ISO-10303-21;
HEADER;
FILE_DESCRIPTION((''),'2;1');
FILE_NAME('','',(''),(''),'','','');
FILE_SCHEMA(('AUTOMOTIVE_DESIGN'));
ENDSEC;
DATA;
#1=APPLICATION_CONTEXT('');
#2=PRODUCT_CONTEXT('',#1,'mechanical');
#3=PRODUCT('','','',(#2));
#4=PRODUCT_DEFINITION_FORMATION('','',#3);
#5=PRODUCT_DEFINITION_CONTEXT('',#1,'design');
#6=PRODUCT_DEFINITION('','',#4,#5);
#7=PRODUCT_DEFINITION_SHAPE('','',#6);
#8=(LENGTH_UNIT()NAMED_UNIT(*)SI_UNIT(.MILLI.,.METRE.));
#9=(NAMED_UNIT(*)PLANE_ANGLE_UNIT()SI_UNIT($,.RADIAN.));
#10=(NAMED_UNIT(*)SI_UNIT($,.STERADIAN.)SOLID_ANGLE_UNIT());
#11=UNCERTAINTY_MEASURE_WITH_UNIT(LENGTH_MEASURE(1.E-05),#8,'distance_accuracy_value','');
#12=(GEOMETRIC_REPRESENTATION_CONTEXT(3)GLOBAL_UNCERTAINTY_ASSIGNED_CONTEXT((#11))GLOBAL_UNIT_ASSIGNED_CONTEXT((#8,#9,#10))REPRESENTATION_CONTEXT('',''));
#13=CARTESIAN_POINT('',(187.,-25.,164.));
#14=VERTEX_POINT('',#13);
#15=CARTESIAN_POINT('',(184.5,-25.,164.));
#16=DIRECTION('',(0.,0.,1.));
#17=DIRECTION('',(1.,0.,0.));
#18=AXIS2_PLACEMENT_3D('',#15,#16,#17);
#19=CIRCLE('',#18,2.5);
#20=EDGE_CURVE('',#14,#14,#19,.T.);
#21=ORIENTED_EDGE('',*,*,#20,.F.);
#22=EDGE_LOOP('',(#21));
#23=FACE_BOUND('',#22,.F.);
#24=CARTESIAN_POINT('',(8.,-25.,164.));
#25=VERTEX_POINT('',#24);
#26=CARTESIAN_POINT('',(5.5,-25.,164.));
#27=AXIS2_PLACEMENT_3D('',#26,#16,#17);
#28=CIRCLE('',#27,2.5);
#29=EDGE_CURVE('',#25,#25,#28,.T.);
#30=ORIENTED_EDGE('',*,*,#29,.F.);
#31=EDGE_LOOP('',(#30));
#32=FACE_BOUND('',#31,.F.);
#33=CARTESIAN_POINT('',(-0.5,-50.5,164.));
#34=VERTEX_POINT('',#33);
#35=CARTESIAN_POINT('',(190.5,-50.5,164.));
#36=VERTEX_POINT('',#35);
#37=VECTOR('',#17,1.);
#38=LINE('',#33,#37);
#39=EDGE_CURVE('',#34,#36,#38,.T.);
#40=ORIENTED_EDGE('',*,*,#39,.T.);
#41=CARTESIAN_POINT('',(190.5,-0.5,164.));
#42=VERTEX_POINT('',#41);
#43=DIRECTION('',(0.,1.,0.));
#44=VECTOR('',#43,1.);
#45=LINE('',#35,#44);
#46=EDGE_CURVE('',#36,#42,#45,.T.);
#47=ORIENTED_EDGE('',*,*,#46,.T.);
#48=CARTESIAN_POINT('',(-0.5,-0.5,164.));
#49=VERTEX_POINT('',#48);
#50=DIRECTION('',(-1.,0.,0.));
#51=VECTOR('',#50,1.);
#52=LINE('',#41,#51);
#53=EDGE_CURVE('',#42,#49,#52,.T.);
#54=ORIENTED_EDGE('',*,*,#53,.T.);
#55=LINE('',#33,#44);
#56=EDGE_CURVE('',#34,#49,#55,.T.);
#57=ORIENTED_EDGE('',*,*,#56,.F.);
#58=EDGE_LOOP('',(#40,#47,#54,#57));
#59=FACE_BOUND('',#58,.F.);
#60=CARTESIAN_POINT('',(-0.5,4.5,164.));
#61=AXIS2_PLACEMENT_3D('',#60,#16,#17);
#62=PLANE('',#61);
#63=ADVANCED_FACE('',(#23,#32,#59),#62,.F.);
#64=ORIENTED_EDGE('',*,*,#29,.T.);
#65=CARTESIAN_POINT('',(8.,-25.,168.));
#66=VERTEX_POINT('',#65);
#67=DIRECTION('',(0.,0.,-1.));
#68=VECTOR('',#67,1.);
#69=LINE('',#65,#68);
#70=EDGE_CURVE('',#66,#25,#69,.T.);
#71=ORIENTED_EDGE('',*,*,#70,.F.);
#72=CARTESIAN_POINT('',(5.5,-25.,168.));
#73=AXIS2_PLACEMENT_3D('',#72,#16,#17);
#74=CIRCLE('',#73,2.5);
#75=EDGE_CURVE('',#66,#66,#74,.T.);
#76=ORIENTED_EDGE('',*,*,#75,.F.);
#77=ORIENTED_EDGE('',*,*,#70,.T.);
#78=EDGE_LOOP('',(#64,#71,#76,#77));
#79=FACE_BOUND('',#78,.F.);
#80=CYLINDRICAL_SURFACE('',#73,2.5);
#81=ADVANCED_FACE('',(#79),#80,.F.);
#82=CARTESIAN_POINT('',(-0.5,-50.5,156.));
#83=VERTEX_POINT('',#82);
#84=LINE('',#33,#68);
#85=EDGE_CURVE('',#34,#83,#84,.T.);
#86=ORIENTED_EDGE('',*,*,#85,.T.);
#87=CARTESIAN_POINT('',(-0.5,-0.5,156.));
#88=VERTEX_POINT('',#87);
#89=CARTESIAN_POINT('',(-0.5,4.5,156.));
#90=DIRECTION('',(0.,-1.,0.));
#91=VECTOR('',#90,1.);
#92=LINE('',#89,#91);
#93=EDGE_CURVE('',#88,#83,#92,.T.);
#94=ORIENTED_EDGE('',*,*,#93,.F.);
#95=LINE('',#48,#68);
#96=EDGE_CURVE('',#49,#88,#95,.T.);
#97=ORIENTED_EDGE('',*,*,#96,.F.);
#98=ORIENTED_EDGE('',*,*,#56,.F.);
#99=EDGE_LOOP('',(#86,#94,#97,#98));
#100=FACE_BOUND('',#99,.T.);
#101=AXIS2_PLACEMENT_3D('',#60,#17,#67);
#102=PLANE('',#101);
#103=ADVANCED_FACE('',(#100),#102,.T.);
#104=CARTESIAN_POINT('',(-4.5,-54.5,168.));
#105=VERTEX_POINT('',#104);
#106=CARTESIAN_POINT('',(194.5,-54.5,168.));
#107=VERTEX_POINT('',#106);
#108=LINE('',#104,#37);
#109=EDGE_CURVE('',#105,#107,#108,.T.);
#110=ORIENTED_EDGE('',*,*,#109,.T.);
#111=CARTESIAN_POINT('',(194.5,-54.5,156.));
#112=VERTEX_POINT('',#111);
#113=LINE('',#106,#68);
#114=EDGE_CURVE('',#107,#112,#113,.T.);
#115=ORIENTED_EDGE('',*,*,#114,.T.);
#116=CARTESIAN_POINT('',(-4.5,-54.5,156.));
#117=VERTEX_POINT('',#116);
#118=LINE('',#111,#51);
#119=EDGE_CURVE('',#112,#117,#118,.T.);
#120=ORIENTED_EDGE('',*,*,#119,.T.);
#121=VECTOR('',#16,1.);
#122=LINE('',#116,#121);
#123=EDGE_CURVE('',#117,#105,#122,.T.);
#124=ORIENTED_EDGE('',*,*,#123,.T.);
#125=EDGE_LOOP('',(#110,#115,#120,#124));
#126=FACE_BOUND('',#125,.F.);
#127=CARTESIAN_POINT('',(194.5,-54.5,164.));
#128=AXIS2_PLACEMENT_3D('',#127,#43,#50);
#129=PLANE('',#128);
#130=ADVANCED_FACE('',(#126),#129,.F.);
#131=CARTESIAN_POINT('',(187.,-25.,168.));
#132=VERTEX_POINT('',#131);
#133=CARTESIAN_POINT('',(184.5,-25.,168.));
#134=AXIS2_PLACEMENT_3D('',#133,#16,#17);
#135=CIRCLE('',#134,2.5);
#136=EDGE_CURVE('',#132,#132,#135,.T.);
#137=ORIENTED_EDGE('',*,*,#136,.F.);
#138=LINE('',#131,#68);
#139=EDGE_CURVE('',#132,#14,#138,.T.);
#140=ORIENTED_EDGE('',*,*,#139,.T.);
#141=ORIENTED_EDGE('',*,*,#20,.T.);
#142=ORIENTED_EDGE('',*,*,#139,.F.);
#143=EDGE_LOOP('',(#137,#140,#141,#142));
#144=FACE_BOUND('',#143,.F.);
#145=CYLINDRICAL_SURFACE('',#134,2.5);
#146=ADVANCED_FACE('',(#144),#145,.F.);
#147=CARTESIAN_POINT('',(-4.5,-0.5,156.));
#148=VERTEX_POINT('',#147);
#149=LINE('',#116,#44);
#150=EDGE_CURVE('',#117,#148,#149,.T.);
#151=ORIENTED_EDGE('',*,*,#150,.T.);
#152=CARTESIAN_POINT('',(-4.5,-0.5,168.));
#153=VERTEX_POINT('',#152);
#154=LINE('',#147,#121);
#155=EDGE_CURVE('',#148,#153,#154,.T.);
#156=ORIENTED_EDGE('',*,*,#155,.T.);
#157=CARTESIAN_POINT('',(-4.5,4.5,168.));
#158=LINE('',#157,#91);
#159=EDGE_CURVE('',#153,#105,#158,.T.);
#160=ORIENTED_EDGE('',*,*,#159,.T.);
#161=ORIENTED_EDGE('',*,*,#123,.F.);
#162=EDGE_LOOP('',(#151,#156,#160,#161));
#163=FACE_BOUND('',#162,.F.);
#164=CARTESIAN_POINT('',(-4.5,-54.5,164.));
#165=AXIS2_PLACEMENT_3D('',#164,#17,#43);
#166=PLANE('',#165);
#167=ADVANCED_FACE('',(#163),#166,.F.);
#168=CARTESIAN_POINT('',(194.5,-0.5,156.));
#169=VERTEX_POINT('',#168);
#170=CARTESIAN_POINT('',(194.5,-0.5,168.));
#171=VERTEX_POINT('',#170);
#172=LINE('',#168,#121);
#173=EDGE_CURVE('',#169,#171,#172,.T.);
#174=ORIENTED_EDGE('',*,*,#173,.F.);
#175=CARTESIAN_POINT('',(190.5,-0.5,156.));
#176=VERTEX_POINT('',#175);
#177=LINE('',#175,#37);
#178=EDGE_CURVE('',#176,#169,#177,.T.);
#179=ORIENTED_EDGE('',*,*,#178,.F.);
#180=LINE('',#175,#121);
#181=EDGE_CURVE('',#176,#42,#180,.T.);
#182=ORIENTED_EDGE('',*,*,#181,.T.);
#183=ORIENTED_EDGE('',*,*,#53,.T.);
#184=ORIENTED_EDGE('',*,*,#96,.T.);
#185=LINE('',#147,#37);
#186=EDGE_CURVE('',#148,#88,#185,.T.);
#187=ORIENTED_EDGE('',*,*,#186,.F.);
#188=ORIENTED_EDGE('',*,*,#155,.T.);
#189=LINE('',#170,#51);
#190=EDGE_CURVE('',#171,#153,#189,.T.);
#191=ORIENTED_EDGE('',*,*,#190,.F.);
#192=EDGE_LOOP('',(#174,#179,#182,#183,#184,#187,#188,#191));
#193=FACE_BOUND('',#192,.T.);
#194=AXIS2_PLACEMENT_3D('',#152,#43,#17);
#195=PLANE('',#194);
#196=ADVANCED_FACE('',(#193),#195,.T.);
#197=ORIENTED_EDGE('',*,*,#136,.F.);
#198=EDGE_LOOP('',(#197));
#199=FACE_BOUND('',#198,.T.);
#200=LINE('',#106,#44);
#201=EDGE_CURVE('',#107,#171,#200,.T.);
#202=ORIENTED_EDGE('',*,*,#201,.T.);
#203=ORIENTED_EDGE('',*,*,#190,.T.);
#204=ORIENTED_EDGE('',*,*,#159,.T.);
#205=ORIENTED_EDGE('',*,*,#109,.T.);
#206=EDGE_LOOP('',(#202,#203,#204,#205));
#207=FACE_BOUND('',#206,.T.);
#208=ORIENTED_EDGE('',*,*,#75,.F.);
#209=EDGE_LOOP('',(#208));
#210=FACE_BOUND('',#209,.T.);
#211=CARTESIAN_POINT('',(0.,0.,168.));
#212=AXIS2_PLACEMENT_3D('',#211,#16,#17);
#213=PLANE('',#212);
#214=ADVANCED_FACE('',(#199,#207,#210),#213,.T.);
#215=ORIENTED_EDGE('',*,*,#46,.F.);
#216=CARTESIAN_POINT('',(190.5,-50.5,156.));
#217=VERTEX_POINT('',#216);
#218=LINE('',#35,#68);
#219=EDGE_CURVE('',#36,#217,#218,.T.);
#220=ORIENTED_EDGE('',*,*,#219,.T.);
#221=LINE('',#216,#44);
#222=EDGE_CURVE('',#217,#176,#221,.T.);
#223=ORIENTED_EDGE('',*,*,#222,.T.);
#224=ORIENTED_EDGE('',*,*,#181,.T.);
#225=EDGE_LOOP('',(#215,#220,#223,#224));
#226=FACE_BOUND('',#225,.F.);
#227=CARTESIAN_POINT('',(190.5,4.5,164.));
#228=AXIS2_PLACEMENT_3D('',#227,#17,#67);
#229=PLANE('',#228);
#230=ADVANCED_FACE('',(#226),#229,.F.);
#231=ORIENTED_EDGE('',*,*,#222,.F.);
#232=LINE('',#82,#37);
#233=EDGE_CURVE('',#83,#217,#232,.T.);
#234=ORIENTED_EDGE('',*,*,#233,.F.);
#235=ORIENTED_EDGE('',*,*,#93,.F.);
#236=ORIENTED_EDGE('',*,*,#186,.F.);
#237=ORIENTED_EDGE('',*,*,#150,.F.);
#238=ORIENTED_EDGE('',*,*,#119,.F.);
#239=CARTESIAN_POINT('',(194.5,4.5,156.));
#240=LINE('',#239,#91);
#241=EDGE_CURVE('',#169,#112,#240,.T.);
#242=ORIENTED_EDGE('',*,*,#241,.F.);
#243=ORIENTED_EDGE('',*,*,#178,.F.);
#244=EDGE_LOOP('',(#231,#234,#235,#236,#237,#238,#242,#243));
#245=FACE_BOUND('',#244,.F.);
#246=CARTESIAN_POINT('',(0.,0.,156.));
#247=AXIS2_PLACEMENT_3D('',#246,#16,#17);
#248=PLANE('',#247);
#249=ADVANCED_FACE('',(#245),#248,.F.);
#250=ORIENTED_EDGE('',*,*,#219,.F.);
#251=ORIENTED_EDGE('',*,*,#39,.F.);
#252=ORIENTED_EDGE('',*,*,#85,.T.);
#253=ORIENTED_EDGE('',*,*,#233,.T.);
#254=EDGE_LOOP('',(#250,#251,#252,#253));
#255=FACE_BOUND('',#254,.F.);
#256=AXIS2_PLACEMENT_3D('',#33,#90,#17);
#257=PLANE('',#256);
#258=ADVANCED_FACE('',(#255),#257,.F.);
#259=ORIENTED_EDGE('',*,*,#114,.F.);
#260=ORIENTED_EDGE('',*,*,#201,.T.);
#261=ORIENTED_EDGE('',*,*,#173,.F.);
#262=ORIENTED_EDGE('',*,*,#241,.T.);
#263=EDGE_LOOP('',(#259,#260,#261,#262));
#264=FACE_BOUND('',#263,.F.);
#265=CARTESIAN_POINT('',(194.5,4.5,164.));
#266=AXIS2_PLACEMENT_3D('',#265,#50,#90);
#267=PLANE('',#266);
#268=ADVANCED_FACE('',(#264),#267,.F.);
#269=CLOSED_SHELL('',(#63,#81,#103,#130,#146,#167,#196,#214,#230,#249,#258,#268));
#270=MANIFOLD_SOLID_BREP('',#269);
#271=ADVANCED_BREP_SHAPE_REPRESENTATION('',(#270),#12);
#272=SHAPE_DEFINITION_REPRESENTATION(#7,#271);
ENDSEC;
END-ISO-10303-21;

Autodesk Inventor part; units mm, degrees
ref_plane "YZ Plane" through (0, 0, 0) normal (1, 0, 0) x (0, 1, 0)
ref_plane "XZ Plane" through (0, 0, 0) normal (0, 1, 0) x (-1, 0, 0)
ref_plane "Pracovní rovina11" through (0, 0, 164) normal (0, 0, 1) x (1, 0, 0)
sketch "Náčrt11" plane through (0, 0, 164) normal (0, 0, 1) x (1, 0, 0)
  line L0 (-0.5, -50.5) -> (190.5, -50.5)
  line L1 (190.5, -50.5) -> (190.5, 0.5)
  line L2 (190.5, 0.5) -> (-0.5, 0.5)
  line L3 (-0.5, 0.5) -> (-0.5, -50.5)
  line L4 (0, 0) -> (0, -50) projected
  line L5 (190, -50) -> (190, 0) projected
  line L6 (190, 0) -> (0, 0) projected
  line L7 (182, -50) -> (58, -50) projected
  line L8 (-4.5, 4.5) -> (194.5, 4.5)
  line L9 (194.5, 4.5) -> (194.5, -54.5)
  line L10 (194.5, -54.5) -> (-4.5, -54.5)
  line L11 (-4.5, -54.5) -> (-4.5, 4.5)
  dimension "d43" = 0.5
  dimension "d44" = 0.5
  dimension "d45" = 0.5
  dimension "d46" = 0.5
  dimension "d47" = 4
extrude "Vysunutí11" add sketch "Náčrt11" against normal blind 8
sketch "Náčrt12" plane through (0, 0, 164) normal (0, 0, 1) x (1, 0, 0)
  line L0 (-4.5, 4.5) -> (-4.5, -54.5) projected
  line L1 (194.5, 4.5) -> (-4.5, 4.5) projected
  line L2 (194.5, -54.5) -> (194.5, 4.5) projected
  line L3 (-4.5, -54.5) -> (194.5, -54.5) projected
  point P0 (0, 0)
extrude "Vysunutí12" add sketch "Náčrt12" along normal blind 4
sketch "Náčrt13" plane through (0, 0, 168) normal (0, 0, 1) x (1, 0, 0)
  circle A0 centre (5.5, -25) radius 2.5
  circle A1 centre (184.5, -25) radius 2.5
  line L0 (-4.5, -54.5) -> (194.5, -54.5) projected
  line L1 (194.5, 4.5) -> (-4.5, 4.5) projected
  line L2 (-4.5, 4.5) -> (-4.5, -54.5) projected
  line L3 (194.5, -54.5) -> (194.5, 4.5) projected
  point P0 (0, 0)
  dimension "d52" = 5
  dimension "d53" = 5
  dimension "d54" = 59
  dimension "d55" = 29.5
  dimension "d56" = 29.5
  dimension "d57" = 10
  dimension "d58" = 10
extrude "Vysunutí13" cut sketch "Náčrt13" against normal through all contours A0 | A1
sketch "Náčrt14" plane through (-4.5, 4.5, 156) normal (0, 1, 0) x (1, 0, 0)
  line L0 (4, -8) -> (4, 0) projected
  line L1 (195, -8) -> (195, 0) projected
  line L2 (4, -8) -> (195, -8) projected
  line L3 (0, 0) -> (199, 0) projected
  point P0 (4.5, 156)
extrude "Vysunutí14" cut sketch "Náčrt14" against normal up to surface (4 mm away)
sketch "Náčrt15" plane through (-4.5, 4.5, 168) normal (0, 1, 0) x (1, 0, 0)
  line L0 (199, 0) -> (0, 0) projected
  line L1 (199, 12) -> (199, 0) projected
  line L2 (195, 12) -> (195, 4) projected
  line L3 (195, 4) -> (4, 4) projected
  line L4 (4, 4) -> (4, 12) projected
  line L5 (0, 12) -> (0, 0) projected
  line L6 (0, 12) -> (4, 12) projected
  line L7 (195, 12) -> (199, 12) projected
  point P0 (4.5, 168)
extrude "Vysunutí15" cut sketch "Náčrt15" against normal blind 5
properties part number "krab1-ver1" material "11 500"
